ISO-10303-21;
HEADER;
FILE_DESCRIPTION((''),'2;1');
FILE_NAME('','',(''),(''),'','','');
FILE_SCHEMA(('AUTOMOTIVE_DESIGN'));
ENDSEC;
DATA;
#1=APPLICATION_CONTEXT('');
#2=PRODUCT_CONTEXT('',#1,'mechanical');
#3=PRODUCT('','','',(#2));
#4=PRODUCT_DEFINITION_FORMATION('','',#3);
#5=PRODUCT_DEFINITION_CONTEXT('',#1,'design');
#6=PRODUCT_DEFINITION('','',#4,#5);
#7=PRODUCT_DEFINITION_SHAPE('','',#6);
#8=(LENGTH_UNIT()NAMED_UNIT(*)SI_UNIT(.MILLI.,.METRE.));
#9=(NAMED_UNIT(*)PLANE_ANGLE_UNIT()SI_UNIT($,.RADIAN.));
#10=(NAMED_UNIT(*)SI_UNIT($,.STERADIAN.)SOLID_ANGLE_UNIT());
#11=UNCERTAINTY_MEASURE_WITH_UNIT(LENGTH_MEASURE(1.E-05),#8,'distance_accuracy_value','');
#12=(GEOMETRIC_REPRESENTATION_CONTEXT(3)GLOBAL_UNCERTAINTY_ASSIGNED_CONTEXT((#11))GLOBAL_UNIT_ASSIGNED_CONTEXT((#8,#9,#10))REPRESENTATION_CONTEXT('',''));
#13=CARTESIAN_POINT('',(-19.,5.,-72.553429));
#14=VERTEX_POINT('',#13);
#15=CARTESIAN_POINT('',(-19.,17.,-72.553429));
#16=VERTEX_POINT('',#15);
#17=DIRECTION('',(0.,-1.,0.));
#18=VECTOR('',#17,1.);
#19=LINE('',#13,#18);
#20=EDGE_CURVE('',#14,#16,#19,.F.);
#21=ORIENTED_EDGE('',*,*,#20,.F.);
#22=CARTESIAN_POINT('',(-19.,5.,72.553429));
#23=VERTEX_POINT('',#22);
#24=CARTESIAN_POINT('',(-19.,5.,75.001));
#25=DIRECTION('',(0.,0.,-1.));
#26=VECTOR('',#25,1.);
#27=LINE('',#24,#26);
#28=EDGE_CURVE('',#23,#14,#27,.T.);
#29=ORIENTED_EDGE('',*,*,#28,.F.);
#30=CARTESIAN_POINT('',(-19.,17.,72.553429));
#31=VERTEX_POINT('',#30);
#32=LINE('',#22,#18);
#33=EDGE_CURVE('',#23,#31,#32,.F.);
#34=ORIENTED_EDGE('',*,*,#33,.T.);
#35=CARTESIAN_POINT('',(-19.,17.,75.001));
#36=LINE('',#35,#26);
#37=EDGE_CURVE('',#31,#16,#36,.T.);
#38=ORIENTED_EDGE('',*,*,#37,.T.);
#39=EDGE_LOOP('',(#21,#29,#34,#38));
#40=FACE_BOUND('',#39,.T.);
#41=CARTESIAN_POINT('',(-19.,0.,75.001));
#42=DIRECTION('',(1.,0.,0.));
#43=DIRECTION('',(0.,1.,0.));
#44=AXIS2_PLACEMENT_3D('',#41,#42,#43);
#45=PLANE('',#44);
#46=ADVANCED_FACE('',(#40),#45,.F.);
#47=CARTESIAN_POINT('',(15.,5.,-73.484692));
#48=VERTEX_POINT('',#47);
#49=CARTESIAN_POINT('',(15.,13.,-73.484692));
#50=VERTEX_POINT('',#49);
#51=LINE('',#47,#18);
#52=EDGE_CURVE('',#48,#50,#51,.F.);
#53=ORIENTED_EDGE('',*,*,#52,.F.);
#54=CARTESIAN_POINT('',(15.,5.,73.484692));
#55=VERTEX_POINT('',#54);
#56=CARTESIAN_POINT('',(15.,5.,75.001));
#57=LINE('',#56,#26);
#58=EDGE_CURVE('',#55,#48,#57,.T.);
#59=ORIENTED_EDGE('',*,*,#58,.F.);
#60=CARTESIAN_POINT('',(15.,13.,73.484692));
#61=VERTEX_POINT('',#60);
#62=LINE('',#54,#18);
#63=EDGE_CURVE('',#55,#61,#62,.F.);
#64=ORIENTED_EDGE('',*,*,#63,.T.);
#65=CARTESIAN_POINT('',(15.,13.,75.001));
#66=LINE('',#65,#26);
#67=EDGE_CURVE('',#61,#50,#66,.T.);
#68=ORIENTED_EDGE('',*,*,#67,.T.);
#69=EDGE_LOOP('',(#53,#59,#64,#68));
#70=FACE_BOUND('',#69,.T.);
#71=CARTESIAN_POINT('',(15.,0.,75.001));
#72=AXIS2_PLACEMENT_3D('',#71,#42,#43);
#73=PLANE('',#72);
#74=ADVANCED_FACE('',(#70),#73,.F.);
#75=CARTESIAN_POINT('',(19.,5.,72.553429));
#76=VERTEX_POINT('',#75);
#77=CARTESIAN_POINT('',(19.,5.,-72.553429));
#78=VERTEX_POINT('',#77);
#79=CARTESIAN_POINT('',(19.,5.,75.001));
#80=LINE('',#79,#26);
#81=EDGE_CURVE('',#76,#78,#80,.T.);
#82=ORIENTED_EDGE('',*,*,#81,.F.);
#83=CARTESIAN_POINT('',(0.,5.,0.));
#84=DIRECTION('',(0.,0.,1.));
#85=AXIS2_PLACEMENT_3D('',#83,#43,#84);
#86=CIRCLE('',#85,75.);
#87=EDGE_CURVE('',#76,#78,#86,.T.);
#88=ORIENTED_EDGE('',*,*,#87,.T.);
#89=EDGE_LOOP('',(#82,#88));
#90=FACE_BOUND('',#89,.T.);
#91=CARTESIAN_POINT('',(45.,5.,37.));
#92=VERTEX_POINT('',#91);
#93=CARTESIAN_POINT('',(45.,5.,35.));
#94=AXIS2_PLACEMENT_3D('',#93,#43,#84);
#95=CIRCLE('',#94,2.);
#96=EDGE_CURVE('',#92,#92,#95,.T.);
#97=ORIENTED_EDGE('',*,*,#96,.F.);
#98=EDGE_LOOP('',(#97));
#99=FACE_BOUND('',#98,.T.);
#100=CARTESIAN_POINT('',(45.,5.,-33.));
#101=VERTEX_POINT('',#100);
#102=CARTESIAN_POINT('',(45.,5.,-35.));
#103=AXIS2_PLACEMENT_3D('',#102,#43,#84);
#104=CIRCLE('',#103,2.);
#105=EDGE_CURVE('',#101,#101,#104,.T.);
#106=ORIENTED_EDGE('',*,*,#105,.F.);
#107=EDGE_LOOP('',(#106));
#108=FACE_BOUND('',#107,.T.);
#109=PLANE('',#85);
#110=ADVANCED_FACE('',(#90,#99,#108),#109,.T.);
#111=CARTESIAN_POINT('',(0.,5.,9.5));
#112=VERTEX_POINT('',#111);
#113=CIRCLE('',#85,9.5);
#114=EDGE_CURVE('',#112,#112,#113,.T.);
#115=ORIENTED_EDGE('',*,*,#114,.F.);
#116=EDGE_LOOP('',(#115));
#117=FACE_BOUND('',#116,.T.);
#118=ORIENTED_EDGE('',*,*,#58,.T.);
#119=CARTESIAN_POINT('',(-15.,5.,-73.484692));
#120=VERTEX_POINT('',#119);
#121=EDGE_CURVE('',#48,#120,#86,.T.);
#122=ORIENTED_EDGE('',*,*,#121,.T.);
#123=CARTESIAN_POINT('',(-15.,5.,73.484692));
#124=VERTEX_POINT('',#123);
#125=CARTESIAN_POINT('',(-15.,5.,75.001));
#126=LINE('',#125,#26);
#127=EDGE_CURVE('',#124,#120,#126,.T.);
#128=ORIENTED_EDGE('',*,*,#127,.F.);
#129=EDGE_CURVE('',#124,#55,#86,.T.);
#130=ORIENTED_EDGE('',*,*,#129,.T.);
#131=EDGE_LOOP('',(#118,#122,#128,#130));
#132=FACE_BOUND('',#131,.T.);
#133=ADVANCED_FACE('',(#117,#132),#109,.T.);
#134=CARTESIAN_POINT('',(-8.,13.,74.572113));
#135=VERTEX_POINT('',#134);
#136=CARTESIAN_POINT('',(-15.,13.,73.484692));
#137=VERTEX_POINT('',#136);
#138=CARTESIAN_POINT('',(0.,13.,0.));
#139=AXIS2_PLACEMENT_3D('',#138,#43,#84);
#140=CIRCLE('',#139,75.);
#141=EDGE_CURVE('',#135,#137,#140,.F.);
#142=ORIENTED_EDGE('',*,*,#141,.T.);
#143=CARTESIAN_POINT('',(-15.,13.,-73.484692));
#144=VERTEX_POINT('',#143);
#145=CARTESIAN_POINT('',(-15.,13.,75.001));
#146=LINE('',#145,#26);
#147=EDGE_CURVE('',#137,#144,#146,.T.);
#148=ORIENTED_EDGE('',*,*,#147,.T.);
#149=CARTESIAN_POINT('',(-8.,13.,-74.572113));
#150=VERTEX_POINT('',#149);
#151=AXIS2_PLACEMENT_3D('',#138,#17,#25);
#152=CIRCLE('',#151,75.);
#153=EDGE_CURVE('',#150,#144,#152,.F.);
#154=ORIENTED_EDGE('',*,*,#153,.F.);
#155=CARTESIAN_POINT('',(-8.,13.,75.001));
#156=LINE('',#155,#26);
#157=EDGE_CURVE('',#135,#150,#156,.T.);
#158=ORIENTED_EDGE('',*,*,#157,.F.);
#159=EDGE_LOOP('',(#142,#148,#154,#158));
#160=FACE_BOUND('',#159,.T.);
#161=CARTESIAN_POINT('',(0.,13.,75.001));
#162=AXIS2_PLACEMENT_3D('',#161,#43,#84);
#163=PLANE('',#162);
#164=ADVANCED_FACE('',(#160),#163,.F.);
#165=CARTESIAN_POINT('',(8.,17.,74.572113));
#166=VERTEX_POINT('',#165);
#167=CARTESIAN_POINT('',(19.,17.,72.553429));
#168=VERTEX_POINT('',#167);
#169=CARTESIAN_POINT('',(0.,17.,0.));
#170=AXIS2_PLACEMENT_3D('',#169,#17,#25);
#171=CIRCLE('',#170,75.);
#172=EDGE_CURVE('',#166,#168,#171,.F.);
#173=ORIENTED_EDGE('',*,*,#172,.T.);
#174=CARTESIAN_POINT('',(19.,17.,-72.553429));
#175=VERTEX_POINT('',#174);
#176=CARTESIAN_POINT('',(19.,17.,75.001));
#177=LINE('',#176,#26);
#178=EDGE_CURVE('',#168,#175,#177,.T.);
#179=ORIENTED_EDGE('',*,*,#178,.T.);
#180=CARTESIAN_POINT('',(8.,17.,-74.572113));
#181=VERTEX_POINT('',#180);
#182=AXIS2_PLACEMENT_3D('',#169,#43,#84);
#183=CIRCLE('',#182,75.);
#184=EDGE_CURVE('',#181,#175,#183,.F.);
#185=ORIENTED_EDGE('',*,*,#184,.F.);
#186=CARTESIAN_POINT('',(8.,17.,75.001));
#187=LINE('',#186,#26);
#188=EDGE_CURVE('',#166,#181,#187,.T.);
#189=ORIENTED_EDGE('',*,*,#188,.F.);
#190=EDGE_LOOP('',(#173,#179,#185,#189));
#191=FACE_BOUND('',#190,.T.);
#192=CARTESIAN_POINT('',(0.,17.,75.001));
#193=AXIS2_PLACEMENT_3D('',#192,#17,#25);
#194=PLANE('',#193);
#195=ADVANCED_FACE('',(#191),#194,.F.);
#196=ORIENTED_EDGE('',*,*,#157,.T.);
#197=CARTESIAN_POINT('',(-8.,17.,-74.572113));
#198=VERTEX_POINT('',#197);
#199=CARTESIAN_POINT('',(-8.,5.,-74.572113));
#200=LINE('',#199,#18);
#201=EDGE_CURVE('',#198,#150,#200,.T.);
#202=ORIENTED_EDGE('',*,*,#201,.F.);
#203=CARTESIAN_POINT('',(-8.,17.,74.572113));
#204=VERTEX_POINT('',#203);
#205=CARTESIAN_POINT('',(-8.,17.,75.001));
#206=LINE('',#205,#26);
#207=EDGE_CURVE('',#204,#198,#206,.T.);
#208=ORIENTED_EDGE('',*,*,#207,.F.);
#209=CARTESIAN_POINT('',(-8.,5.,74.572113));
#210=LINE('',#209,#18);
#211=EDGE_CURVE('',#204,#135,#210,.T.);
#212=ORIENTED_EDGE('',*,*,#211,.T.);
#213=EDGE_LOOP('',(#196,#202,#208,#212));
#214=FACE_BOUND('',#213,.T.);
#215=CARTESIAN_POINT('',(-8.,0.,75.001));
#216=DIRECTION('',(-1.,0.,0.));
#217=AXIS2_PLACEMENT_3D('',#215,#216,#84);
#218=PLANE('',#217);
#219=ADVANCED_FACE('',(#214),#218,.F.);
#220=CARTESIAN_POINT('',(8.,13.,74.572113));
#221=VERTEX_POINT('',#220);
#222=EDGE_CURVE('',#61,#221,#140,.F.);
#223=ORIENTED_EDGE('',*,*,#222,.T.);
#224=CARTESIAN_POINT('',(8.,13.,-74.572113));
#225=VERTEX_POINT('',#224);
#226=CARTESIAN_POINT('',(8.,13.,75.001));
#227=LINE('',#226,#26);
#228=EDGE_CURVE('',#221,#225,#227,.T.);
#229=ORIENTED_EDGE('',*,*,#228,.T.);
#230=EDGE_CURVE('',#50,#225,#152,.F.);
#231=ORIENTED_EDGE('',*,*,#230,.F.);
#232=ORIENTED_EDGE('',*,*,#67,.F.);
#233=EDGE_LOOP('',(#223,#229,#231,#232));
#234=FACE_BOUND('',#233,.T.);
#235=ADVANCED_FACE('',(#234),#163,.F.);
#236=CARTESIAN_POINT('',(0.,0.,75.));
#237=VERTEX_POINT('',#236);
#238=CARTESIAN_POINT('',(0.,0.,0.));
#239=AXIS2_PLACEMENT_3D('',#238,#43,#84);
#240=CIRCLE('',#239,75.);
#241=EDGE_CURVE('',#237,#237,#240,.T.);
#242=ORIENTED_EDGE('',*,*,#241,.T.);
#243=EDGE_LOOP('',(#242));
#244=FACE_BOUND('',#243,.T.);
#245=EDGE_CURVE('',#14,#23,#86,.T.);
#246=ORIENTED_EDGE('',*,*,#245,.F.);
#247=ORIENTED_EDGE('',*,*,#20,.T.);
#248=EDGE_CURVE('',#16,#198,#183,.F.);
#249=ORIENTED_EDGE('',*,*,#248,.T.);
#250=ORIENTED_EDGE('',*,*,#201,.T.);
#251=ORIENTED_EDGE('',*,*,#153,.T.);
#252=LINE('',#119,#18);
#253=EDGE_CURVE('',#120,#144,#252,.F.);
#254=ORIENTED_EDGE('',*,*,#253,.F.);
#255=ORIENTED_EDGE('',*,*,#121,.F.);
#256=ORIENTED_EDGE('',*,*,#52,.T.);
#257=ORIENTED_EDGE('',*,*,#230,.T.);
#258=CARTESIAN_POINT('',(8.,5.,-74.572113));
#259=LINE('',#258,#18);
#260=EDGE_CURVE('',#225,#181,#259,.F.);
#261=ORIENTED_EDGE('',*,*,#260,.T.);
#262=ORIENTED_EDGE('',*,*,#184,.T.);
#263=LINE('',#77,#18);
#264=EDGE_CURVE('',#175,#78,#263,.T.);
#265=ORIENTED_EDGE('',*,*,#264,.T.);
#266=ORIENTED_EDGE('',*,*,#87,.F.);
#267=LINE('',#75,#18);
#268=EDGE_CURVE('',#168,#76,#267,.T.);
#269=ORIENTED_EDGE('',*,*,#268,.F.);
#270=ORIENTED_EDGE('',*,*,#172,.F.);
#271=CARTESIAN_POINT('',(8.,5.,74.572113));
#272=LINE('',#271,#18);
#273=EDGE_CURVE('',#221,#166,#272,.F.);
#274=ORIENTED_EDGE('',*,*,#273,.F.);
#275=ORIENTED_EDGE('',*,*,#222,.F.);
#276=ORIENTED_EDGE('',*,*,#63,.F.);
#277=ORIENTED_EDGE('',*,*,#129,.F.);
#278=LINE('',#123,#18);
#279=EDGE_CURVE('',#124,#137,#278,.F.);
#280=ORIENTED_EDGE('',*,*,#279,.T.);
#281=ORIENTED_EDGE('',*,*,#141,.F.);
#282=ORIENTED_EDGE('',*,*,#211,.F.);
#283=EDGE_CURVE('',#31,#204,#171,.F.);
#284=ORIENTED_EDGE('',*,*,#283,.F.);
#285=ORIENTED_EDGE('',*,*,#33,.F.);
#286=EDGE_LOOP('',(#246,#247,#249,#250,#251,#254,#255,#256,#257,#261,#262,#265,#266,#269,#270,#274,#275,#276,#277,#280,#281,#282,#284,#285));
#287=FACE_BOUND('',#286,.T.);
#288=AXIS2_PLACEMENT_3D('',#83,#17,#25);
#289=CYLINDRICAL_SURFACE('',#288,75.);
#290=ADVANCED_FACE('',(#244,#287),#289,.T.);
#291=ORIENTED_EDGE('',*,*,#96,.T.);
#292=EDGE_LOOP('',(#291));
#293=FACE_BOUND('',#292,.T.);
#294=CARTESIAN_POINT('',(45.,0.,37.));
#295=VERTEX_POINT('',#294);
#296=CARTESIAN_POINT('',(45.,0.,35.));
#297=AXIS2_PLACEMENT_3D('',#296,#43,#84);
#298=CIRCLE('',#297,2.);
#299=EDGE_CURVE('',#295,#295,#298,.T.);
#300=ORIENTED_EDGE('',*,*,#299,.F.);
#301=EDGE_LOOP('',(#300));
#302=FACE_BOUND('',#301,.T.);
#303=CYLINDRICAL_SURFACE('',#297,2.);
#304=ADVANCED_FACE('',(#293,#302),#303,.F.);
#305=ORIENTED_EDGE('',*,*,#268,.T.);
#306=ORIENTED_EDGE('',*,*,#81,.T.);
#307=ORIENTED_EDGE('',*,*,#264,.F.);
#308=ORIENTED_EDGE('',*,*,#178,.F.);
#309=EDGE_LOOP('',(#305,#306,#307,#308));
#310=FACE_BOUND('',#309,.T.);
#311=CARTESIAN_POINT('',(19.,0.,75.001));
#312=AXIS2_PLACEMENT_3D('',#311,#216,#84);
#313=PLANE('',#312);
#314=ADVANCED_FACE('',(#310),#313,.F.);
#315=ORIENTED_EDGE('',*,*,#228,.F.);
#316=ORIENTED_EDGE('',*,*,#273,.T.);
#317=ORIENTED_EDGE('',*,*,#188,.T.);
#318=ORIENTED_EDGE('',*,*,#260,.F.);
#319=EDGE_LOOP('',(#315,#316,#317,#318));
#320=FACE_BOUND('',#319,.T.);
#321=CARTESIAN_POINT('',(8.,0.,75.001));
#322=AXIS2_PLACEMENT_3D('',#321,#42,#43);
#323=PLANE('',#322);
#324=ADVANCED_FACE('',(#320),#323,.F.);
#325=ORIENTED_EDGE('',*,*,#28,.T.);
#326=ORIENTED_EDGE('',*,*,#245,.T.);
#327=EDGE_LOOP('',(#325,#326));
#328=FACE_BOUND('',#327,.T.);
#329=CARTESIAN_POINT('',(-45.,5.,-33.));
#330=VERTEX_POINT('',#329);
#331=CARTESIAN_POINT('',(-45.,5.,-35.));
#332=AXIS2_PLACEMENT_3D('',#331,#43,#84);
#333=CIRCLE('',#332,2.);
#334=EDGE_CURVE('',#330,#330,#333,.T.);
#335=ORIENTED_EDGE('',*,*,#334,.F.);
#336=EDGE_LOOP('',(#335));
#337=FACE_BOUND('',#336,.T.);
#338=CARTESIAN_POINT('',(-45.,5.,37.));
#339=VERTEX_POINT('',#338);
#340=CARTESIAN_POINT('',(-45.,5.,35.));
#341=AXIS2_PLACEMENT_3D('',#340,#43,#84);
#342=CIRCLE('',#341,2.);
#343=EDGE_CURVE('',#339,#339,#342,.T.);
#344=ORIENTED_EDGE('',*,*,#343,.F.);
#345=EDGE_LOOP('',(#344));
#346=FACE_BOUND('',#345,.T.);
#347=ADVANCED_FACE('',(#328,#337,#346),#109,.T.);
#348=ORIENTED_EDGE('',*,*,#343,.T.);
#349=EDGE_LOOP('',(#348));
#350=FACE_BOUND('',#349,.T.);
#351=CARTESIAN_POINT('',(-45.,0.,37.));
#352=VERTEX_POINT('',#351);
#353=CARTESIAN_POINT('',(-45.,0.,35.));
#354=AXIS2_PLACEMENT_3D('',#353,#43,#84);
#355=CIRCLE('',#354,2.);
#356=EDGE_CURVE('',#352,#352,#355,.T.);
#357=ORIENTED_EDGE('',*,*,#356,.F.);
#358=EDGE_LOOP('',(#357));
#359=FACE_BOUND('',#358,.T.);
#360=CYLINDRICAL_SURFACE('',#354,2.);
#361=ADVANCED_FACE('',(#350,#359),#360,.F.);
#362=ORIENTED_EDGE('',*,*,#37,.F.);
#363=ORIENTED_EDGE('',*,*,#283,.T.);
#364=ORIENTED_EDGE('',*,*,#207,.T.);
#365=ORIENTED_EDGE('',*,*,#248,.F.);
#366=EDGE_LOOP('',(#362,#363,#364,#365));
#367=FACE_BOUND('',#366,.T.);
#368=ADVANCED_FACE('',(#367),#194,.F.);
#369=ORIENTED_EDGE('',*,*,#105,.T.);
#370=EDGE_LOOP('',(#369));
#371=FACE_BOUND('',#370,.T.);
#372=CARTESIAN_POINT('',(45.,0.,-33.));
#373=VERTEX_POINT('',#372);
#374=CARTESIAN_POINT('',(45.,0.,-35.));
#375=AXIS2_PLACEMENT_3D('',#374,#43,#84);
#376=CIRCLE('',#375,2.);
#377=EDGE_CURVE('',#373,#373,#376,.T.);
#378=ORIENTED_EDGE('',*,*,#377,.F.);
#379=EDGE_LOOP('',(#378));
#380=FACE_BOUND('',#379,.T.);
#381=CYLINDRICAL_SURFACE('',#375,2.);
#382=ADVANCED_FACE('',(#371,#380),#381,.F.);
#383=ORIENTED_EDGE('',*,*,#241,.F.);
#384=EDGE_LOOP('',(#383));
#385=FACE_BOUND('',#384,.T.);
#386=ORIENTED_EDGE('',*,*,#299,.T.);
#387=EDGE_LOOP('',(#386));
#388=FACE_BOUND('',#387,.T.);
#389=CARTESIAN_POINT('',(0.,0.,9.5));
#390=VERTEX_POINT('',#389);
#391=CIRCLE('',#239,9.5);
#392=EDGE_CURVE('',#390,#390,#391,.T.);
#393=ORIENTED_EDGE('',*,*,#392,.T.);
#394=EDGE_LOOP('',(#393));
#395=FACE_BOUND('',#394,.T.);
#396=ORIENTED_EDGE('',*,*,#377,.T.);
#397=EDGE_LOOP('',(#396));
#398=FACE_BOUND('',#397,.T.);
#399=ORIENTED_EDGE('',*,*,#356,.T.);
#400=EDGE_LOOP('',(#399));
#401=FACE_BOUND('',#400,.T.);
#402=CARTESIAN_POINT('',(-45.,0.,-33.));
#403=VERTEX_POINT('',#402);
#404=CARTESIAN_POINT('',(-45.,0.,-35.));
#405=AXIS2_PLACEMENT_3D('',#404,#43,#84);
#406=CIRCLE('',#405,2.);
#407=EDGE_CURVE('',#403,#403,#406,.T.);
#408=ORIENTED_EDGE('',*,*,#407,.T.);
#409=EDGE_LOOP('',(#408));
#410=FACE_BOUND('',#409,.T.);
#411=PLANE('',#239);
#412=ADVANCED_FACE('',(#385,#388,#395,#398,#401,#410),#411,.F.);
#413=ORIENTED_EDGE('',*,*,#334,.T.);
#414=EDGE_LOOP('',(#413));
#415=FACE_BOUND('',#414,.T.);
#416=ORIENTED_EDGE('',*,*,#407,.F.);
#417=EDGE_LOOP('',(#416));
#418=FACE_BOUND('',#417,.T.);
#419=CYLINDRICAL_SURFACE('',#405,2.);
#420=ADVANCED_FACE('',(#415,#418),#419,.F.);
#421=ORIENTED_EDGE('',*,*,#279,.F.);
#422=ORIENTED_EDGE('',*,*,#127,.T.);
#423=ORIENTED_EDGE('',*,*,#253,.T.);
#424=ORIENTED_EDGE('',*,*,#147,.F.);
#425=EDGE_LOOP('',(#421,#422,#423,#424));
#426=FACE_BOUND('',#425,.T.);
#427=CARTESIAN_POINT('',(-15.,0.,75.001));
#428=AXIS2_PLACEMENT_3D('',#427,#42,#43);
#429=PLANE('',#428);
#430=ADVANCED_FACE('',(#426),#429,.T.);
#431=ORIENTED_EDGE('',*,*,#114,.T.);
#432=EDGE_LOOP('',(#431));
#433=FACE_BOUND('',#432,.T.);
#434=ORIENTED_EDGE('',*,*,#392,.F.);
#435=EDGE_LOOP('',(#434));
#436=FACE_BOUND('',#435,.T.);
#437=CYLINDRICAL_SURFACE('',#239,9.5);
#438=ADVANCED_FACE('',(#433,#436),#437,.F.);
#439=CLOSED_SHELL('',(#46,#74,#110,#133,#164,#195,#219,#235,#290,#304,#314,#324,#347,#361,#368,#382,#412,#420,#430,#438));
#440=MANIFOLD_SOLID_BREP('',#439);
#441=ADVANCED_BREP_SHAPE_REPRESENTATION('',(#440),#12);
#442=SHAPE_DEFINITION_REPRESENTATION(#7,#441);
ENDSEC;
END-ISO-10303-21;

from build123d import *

# Parameters (mm, degrees)
SKETCH1_R                            = 75
BOSS_EXTRUDE1_DEPTH                  = 5
BOSS_EXTRUDE2_REACH                  = 108.184
BOSS_EXTRUDE2_END_RADIUS             = 75
BOSS_EXTRUDE2_DIRECTION_2_REACH      = 108.184
BOSS_EXTRUDE2_DIRECTION_2_END_RADIUS = 75
SKETCH3_R                            = 9.5
CUT_EXTRUDE1_DEPTH                   = 107.742681248
SKETCH4_R                            = 2
CUT_EXTRUDE2_DEPTH                   = 107.742681248


with BuildPart() as part:
    # Sketch1 → Boss-Extrude1 (new body)
    with BuildSketch(Plane(origin=(0, 0, 0), x_dir=(1, 0, 0), z_dir=(0, 1, 0))):
        with Locations(Location((0, 0, 0), (0, 0, 270))):
            Circle(SKETCH1_R)
    extrude(amount=BOSS_EXTRUDE1_DEPTH)

    # Boss-Extrude2: up to this cylinder (the profile starts inside it)
    boss_extrude2_end = Plane(origin=(0, 12, 0), z_dir=(0, -1, 0)) * Cylinder(BOSS_EXTRUDE2_END_RADIUS, 373.368, mode=Mode.PRIVATE)
    # Sketch2 → Boss-Extrude2 (add, up to the surface)
    with BuildSketch(Plane.XY, mode=Mode.PRIVATE) as boss_extrude2_sk1:
        Polygon((-15, 5), (-15, 13), (-8, 13), (-8, 17), (-19, 17), (-19, 5), align=None)
    boss_extrude2_tool1 = extrude(boss_extrude2_sk1.sketch, amount=BOSS_EXTRUDE2_REACH, mode=Mode.PRIVATE) & boss_extrude2_end
    add(boss_extrude2_tool1.solids().sort_by_distance((-15.162788, 9, 0))[0])
    # Sketch2 → Boss-Extrude2 (add, up to the surface)
    with BuildSketch(Plane.XY, mode=Mode.PRIVATE) as boss_extrude2_sk2:
        Polygon((8, 17), (8, 13), (15, 13), (15, 5), (19, 5), (19, 17), align=None)
    boss_extrude2_tool2 = extrude(boss_extrude2_sk2.sketch, amount=BOSS_EXTRUDE2_REACH, mode=Mode.PRIVATE) & boss_extrude2_end
    add(boss_extrude2_tool2.solids().sort_by_distance((8.162788, 15, 0))[0])

    # Boss-Extrude2 direction 2: up to this cylinder (the profile starts inside it)
    boss_extrude2_direction_2_end = Plane(origin=(0, 12, 0), z_dir=(0, -1, 0)) * Cylinder(BOSS_EXTRUDE2_DIRECTION_2_END_RADIUS, 373.368, mode=Mode.PRIVATE)
    # Sketch2 → Boss-Extrude2 direction 2 (add, up to the surface)
    with BuildSketch(Plane.XY, mode=Mode.PRIVATE) as boss_extrude2_direction_2_sk1:
        Polygon((-15, 5), (-15, 13), (-8, 13), (-8, 17), (-19, 17), (-19, 5), align=None)
    boss_extrude2_direction_2_tool1 = extrude(boss_extrude2_direction_2_sk1.sketch, amount=-BOSS_EXTRUDE2_DIRECTION_2_REACH, mode=Mode.PRIVATE) & boss_extrude2_direction_2_end
    add(boss_extrude2_direction_2_tool1.solids().sort_by_distance((-15.162788, 9, 0))[0])
    # Sketch2 → Boss-Extrude2 direction 2 (add, up to the surface)
    with BuildSketch(Plane.XY, mode=Mode.PRIVATE) as boss_extrude2_direction_2_sk2:
        Polygon((8, 17), (8, 13), (15, 13), (15, 5), (19, 5), (19, 17), align=None)
    boss_extrude2_direction_2_tool2 = extrude(boss_extrude2_direction_2_sk2.sketch, amount=-BOSS_EXTRUDE2_DIRECTION_2_REACH, mode=Mode.PRIVATE) & boss_extrude2_direction_2_end
    add(boss_extrude2_direction_2_tool2.solids().sort_by_distance((8.162788, 15, 0))[0])

    # Sketch3 → Cut-Extrude1 (cut, through all)
    with BuildSketch(Plane(origin=(0, 5, 0), x_dir=(1, 0, 0), z_dir=(0, 1, 0))):
        with Locations(Location((0, 0, 0), (0, 0, 270))):
            Circle(SKETCH3_R)
    extrude(amount=-CUT_EXTRUDE1_DEPTH, mode=Mode.SUBTRACT)

    # Sketch4 → Cut-Extrude2 (cut, through all)
    with BuildSketch(Plane(origin=(0, 5, 0), x_dir=(1, 0, 0), z_dir=(0, 1, 0))):
        with Locations(Location((-45, 35, 0), (0, 0, 270))):
            Circle(SKETCH4_R)
        with Locations(Location((45, 35, 0), (0, 0, 270))):
            Circle(SKETCH4_R)
        with Locations(Location((45, -35, 0), (0, 0, 270))):
            Circle(SKETCH4_R)
        with Locations(Location((-45, -35, 0), (0, 0, 270))):
            Circle(SKETCH4_R)
    extrude(amount=-CUT_EXTRUDE2_DEPTH, mode=Mode.SUBTRACT)


solid = part.part
